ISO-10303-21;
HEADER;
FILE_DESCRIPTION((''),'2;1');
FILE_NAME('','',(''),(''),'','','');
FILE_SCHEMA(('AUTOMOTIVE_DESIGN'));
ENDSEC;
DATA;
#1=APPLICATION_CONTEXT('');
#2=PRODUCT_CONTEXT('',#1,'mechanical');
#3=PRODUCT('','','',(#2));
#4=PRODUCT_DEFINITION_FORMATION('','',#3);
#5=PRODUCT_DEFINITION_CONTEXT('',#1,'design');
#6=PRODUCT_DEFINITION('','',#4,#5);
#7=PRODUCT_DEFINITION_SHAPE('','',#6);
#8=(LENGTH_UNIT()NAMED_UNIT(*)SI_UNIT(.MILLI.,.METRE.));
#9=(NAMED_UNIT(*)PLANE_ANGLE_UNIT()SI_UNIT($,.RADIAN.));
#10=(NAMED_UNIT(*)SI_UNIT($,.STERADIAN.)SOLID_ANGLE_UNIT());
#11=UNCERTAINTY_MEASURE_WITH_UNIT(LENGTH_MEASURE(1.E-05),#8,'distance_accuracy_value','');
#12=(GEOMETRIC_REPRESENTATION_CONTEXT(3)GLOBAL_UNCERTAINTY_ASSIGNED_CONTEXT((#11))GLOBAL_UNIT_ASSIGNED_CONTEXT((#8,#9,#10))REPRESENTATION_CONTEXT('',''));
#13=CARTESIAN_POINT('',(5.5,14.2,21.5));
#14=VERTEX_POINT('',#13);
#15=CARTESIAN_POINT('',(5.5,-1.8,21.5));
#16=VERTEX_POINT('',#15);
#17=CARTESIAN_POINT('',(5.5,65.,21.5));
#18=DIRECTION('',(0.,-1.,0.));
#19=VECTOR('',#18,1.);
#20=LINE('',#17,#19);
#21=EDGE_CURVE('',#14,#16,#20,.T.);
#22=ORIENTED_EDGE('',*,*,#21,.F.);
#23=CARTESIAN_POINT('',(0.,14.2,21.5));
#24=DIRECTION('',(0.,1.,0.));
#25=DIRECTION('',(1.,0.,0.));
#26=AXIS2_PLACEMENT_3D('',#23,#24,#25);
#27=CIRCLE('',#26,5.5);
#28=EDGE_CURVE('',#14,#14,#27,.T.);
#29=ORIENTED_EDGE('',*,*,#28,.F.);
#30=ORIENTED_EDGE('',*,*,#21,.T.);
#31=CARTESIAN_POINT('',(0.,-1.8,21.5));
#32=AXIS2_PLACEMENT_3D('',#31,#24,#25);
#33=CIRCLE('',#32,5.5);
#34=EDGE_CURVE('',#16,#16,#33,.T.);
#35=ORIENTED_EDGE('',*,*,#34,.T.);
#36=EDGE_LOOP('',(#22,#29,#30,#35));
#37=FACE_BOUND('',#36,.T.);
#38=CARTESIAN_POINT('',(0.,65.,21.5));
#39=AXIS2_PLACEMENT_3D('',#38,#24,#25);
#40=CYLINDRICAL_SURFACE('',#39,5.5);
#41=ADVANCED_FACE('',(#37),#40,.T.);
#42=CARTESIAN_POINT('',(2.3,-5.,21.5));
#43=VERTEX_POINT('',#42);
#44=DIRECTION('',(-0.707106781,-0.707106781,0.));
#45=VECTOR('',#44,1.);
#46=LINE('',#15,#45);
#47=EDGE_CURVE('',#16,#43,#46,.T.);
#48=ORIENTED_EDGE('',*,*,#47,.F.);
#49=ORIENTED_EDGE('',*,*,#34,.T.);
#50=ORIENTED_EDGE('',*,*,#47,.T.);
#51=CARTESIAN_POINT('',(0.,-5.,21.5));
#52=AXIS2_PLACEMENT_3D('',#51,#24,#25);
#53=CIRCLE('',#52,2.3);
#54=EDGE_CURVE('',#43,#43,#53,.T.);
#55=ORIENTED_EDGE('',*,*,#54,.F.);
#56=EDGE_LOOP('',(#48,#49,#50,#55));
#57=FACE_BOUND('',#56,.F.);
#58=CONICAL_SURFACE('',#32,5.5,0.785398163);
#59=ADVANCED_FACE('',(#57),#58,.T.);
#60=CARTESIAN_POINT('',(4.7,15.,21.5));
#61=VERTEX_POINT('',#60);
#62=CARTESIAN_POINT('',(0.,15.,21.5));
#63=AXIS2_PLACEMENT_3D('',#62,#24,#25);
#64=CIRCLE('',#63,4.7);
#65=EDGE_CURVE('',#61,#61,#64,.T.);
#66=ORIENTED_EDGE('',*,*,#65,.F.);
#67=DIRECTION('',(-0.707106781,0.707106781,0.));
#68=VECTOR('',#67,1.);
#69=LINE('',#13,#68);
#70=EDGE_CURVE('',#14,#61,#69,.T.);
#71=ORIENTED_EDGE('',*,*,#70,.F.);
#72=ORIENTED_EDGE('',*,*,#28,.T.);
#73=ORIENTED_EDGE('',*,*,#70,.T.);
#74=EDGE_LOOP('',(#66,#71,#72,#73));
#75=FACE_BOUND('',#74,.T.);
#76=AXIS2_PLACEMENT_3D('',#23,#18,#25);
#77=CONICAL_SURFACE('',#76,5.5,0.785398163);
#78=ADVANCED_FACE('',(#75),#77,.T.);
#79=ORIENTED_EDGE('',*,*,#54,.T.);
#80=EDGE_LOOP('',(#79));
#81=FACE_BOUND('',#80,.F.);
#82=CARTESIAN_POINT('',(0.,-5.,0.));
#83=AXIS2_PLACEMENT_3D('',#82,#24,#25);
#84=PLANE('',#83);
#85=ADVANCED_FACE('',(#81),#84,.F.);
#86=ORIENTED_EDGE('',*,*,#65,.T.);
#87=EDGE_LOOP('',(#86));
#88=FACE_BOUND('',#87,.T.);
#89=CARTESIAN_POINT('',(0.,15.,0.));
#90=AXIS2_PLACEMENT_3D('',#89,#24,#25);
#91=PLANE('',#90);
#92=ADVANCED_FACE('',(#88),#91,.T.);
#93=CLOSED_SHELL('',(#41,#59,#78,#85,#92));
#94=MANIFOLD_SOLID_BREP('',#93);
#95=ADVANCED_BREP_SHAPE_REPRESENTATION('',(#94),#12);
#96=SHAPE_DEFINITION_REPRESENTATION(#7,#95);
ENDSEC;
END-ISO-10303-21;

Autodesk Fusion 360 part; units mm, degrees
sketch "PinWay" plane through (0, 65, 0) normal (0, 1, 0) x (1, 0, 0)
  line L0 (0, 0) -> (0, -30) construction
  line L1 (0, -30) -> (4.125, -30)
  line L2 (4.125, -30) -> (4.125, -25.8571)
  line L3 (-4.125, -30) -> (-4.125, -25.8571)
  line L4 (0, -30) -> (-4.125, -30)
  arc A0 (4.125, -25.8571) -> (-4.125, -25.8571) centre (0, -21.5) ccw
  circle A1 centre (0, -21.5) radius 5.5
  circle A2 centre (0, -21.5) radius 3
  dimension "d1" = 0
  dimension "d2" = 0
  dimension "d3" = 0
  dimension "d4" = 0
  dimension "d5" = 0
  dimension "d6" = 0
extrude "Extrude1" add sketch "PinWay" against normal blind 70 contours A1 | A2
extrude "Extrude2" cut 1 faces at (0.5081, 65, 24.6232) along direction (0, -1, 0) blind 50
chamfer "Chamfer1" distance 0.8 angle 45 1 edges at (-5.1278, 15, 19.5111)
chamfer "Chamfer2" distance 3.2 angle 45 1 edges at (-5.1278, -5, 19.5111)
equation "d150 = BottomPinBlank"
equation "d152 = BottomPinBlank + BottomPinLength"
equation "BottomPinBlank = -70 mm"
equation "BottomPinLength = 20 mm"
equation "d1 = PinWayDiameter"
equation "d2 = PinWayDepth"
equation "d3 = BodyThickness"
equation "d4 = PinWayOpening / 2"
equation "d5 = Pin"
equation "d6 = SpoolPinCenter"
